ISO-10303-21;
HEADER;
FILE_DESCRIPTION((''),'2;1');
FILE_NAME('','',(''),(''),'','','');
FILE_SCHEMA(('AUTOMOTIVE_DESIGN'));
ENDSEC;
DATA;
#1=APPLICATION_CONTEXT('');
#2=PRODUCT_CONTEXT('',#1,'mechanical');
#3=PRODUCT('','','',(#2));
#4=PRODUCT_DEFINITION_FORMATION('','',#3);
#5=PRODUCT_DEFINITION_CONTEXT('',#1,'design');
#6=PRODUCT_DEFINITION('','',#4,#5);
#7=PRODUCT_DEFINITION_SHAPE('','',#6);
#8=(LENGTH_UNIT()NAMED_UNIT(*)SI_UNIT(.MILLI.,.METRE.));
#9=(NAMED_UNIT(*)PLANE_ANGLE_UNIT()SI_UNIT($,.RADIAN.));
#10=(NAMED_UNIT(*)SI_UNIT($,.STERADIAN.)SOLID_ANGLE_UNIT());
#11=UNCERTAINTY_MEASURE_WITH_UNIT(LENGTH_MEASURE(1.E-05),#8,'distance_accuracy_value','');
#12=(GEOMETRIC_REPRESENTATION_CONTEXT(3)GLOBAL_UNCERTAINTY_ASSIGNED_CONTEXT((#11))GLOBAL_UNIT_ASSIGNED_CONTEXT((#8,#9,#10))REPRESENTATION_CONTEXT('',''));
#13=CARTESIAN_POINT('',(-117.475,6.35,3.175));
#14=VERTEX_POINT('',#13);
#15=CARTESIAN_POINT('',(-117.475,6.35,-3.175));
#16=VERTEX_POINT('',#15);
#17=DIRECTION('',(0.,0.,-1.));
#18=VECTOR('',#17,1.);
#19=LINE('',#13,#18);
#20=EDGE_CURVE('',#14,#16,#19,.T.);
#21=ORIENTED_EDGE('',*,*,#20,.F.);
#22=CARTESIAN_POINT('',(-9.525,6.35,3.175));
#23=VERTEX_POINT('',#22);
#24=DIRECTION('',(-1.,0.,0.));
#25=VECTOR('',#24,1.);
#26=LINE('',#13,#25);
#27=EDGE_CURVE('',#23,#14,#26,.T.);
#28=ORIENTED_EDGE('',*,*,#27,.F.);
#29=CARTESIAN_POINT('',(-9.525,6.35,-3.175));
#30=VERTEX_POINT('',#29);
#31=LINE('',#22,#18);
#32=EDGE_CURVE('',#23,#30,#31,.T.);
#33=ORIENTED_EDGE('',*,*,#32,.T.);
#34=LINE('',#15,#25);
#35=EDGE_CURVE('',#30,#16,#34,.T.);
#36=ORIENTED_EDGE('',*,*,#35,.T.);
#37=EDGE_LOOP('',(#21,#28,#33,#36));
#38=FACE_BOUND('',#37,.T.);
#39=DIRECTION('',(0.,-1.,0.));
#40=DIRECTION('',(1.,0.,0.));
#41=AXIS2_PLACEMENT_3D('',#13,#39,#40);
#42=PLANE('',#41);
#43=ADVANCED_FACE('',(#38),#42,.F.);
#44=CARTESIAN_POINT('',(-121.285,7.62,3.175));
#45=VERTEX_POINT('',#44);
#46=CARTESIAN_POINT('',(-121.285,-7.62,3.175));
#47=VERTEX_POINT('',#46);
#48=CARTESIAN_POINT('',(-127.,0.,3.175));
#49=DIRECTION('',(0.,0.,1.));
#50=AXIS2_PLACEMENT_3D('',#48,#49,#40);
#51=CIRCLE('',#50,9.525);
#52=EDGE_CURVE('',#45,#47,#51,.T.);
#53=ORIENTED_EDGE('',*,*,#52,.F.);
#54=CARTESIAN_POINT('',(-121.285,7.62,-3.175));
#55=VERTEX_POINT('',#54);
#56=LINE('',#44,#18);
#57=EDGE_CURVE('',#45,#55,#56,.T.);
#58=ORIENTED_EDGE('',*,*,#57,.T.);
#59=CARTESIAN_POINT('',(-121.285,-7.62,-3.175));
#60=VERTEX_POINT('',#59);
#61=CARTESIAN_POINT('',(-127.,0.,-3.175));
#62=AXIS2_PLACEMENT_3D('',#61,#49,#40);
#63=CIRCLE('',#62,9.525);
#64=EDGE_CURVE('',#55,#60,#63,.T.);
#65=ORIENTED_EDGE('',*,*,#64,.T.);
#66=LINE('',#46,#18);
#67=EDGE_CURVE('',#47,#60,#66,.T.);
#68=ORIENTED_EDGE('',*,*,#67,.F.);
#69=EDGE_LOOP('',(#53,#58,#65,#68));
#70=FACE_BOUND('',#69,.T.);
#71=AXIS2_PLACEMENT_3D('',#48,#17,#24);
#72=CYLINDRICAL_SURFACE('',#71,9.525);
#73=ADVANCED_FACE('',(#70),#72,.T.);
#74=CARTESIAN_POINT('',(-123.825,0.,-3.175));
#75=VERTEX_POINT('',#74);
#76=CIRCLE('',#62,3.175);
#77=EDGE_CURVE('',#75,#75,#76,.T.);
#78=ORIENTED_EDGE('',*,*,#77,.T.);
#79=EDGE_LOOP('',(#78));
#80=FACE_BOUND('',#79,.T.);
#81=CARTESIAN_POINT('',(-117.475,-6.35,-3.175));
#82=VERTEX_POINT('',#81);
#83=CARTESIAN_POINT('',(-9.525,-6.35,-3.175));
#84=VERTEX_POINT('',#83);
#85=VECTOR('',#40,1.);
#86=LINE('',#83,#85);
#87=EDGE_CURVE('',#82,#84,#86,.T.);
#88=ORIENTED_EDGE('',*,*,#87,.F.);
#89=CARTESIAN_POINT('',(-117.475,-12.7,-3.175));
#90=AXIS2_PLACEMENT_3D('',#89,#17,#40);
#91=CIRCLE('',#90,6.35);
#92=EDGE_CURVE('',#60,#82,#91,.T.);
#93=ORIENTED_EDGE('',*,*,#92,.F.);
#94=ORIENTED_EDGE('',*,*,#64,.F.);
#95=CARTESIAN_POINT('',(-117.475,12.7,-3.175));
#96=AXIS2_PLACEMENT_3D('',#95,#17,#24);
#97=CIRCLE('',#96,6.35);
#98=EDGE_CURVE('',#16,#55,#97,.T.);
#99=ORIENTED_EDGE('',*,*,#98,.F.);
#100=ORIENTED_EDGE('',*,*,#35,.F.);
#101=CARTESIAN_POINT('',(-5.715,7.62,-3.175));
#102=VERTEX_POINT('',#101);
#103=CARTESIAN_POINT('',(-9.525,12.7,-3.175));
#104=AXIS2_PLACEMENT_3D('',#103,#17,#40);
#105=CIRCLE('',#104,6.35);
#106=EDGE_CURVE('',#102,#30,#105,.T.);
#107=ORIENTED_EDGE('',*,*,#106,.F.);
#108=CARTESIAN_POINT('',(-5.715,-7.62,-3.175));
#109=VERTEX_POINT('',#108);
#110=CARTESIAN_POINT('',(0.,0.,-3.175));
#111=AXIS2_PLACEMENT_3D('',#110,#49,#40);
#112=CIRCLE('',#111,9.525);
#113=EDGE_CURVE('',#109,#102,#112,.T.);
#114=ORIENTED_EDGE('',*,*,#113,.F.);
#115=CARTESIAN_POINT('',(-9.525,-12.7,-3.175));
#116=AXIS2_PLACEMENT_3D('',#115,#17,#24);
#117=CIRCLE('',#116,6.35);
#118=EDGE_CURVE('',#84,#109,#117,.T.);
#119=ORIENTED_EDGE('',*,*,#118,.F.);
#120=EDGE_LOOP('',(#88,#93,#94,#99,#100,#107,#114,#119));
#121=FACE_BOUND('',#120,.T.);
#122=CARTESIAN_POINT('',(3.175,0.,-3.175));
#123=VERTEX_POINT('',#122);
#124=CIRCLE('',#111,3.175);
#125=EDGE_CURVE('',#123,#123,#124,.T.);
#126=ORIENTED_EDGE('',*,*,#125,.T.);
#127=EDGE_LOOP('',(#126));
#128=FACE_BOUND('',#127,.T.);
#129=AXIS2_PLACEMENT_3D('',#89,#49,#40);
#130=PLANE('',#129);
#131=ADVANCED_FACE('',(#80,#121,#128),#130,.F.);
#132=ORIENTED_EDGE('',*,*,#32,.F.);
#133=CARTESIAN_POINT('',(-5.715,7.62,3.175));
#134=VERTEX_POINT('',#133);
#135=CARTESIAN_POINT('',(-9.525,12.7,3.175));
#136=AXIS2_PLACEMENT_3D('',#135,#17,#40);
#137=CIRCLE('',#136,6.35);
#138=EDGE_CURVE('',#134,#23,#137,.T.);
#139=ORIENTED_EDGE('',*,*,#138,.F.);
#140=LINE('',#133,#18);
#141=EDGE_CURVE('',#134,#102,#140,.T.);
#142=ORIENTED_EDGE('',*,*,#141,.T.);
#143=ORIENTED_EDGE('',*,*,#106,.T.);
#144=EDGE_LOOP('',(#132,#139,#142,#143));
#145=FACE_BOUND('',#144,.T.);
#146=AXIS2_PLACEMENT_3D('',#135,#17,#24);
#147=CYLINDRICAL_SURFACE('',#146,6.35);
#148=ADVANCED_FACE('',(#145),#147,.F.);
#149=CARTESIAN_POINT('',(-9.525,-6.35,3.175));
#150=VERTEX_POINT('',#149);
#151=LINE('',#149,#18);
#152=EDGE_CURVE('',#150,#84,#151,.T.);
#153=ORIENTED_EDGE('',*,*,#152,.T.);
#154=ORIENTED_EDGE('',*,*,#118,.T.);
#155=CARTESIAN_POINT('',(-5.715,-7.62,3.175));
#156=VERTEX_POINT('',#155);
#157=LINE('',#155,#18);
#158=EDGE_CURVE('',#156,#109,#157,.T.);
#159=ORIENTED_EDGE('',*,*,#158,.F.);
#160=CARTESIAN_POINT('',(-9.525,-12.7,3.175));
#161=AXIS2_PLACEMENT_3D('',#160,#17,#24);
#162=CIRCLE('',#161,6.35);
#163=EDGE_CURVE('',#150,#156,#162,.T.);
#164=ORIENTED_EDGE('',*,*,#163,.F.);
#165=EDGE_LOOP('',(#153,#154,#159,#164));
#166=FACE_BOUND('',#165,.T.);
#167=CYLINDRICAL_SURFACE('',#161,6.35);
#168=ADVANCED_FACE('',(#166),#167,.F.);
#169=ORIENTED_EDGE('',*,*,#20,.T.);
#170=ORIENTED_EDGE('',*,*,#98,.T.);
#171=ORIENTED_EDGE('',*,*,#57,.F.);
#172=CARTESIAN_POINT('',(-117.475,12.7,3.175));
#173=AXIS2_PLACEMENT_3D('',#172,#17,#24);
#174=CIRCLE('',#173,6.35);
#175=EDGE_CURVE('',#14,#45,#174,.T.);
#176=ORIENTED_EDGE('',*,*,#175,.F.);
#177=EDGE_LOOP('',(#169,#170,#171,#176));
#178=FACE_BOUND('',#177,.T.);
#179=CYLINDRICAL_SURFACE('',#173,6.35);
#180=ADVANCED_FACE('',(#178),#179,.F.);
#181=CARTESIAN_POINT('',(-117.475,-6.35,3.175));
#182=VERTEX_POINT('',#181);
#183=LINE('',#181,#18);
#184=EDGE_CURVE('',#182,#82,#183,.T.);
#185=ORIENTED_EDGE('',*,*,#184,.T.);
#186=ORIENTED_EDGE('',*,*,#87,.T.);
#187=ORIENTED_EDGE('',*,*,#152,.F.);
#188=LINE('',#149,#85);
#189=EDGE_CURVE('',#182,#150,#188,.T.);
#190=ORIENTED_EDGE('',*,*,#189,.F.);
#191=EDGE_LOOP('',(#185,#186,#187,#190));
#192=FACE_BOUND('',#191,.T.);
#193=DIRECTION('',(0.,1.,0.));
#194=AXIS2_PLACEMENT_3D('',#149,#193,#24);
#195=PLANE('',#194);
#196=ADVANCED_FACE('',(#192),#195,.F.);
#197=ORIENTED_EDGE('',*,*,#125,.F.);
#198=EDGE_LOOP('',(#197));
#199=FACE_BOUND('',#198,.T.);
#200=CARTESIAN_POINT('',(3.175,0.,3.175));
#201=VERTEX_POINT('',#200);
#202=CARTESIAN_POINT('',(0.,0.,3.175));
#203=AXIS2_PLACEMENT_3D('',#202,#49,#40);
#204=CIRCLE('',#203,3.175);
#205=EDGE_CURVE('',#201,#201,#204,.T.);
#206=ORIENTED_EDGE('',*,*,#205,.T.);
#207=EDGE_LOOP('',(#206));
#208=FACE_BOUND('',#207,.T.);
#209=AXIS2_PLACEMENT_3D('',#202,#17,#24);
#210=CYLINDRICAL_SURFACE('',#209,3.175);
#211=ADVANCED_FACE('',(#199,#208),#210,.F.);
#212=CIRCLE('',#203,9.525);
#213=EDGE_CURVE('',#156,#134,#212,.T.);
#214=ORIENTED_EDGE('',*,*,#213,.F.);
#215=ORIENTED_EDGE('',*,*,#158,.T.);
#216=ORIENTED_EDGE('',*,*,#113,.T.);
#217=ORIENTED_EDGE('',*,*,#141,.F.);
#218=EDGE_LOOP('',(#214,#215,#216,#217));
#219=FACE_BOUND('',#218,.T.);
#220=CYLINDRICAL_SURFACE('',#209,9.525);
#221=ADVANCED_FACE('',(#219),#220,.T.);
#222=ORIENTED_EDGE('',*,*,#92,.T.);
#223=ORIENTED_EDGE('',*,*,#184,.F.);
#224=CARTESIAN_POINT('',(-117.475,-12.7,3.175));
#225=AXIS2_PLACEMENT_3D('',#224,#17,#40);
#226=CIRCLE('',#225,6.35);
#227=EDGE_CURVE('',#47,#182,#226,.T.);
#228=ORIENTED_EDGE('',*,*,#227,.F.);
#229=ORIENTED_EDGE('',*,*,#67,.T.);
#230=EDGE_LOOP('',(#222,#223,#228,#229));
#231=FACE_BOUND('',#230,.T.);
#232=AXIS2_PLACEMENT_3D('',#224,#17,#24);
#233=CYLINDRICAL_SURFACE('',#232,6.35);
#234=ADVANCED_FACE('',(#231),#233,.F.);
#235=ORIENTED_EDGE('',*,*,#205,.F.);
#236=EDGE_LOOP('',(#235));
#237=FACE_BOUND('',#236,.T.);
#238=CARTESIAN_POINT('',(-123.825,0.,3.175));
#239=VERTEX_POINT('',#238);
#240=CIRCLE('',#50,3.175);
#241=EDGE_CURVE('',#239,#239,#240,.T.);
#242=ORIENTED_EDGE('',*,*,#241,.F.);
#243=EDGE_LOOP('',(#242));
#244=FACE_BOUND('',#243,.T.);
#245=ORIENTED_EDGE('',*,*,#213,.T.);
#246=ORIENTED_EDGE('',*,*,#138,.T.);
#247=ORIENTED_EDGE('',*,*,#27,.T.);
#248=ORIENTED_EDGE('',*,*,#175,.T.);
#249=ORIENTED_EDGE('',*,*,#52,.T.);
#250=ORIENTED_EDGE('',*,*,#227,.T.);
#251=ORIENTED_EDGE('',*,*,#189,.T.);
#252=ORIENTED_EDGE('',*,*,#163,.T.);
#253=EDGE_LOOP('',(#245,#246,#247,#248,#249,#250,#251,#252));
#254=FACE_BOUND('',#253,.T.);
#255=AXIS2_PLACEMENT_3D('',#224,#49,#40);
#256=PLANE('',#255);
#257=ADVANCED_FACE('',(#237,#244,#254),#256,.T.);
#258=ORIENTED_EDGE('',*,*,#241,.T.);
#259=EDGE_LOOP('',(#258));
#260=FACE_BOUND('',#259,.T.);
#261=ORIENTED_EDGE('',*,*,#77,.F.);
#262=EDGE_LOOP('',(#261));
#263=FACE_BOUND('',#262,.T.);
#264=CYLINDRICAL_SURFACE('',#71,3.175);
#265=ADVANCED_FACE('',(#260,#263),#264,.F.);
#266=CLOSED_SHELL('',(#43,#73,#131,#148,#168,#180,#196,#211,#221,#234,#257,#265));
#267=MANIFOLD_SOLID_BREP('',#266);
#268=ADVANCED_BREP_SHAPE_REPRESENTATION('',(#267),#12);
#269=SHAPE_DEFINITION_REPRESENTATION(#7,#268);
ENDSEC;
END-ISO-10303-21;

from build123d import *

# Parameters (mm, degrees)
SKETCH1_R           = 3.175
BOSS_EXTRUDE1_DEPTH = 3.175


with BuildPart() as part:
    # Sketch1 → Boss-Extrude1 (new, symmetric)
    with BuildSketch(Plane.XY):
        with BuildLine():
            Line((-117.475, 6.35), (-9.525, 6.35))
            ThreePointArc((-9.525, 6.35), (-7.516953686, 6.675861057), (-5.715, 7.62))
            ThreePointArc((-5.715, 7.62), (9.525, 0), (-5.715, -7.62))
            ThreePointArc((-5.715, -7.62), (-7.516953686, -6.675861057), (-9.525, -6.35))
            Line((-9.525, -6.35), (-117.475, -6.35))
            ThreePointArc((-117.475, -6.35), (-119.483046314, -6.675861057), (-121.285, -7.62))
            ThreePointArc((-121.285, -7.62), (-136.525, 0), (-121.285, 7.62))
            ThreePointArc((-121.285, 7.62), (-119.483046314, 6.675861057), (-117.475, 6.35))
        make_face()
        with Locations((-127, 0)):
            Circle(SKETCH1_R, mode=Mode.SUBTRACT)
        Circle(SKETCH1_R, mode=Mode.SUBTRACT)
    extrude(amount=BOSS_EXTRUDE1_DEPTH, both=True)


solid = part.part
